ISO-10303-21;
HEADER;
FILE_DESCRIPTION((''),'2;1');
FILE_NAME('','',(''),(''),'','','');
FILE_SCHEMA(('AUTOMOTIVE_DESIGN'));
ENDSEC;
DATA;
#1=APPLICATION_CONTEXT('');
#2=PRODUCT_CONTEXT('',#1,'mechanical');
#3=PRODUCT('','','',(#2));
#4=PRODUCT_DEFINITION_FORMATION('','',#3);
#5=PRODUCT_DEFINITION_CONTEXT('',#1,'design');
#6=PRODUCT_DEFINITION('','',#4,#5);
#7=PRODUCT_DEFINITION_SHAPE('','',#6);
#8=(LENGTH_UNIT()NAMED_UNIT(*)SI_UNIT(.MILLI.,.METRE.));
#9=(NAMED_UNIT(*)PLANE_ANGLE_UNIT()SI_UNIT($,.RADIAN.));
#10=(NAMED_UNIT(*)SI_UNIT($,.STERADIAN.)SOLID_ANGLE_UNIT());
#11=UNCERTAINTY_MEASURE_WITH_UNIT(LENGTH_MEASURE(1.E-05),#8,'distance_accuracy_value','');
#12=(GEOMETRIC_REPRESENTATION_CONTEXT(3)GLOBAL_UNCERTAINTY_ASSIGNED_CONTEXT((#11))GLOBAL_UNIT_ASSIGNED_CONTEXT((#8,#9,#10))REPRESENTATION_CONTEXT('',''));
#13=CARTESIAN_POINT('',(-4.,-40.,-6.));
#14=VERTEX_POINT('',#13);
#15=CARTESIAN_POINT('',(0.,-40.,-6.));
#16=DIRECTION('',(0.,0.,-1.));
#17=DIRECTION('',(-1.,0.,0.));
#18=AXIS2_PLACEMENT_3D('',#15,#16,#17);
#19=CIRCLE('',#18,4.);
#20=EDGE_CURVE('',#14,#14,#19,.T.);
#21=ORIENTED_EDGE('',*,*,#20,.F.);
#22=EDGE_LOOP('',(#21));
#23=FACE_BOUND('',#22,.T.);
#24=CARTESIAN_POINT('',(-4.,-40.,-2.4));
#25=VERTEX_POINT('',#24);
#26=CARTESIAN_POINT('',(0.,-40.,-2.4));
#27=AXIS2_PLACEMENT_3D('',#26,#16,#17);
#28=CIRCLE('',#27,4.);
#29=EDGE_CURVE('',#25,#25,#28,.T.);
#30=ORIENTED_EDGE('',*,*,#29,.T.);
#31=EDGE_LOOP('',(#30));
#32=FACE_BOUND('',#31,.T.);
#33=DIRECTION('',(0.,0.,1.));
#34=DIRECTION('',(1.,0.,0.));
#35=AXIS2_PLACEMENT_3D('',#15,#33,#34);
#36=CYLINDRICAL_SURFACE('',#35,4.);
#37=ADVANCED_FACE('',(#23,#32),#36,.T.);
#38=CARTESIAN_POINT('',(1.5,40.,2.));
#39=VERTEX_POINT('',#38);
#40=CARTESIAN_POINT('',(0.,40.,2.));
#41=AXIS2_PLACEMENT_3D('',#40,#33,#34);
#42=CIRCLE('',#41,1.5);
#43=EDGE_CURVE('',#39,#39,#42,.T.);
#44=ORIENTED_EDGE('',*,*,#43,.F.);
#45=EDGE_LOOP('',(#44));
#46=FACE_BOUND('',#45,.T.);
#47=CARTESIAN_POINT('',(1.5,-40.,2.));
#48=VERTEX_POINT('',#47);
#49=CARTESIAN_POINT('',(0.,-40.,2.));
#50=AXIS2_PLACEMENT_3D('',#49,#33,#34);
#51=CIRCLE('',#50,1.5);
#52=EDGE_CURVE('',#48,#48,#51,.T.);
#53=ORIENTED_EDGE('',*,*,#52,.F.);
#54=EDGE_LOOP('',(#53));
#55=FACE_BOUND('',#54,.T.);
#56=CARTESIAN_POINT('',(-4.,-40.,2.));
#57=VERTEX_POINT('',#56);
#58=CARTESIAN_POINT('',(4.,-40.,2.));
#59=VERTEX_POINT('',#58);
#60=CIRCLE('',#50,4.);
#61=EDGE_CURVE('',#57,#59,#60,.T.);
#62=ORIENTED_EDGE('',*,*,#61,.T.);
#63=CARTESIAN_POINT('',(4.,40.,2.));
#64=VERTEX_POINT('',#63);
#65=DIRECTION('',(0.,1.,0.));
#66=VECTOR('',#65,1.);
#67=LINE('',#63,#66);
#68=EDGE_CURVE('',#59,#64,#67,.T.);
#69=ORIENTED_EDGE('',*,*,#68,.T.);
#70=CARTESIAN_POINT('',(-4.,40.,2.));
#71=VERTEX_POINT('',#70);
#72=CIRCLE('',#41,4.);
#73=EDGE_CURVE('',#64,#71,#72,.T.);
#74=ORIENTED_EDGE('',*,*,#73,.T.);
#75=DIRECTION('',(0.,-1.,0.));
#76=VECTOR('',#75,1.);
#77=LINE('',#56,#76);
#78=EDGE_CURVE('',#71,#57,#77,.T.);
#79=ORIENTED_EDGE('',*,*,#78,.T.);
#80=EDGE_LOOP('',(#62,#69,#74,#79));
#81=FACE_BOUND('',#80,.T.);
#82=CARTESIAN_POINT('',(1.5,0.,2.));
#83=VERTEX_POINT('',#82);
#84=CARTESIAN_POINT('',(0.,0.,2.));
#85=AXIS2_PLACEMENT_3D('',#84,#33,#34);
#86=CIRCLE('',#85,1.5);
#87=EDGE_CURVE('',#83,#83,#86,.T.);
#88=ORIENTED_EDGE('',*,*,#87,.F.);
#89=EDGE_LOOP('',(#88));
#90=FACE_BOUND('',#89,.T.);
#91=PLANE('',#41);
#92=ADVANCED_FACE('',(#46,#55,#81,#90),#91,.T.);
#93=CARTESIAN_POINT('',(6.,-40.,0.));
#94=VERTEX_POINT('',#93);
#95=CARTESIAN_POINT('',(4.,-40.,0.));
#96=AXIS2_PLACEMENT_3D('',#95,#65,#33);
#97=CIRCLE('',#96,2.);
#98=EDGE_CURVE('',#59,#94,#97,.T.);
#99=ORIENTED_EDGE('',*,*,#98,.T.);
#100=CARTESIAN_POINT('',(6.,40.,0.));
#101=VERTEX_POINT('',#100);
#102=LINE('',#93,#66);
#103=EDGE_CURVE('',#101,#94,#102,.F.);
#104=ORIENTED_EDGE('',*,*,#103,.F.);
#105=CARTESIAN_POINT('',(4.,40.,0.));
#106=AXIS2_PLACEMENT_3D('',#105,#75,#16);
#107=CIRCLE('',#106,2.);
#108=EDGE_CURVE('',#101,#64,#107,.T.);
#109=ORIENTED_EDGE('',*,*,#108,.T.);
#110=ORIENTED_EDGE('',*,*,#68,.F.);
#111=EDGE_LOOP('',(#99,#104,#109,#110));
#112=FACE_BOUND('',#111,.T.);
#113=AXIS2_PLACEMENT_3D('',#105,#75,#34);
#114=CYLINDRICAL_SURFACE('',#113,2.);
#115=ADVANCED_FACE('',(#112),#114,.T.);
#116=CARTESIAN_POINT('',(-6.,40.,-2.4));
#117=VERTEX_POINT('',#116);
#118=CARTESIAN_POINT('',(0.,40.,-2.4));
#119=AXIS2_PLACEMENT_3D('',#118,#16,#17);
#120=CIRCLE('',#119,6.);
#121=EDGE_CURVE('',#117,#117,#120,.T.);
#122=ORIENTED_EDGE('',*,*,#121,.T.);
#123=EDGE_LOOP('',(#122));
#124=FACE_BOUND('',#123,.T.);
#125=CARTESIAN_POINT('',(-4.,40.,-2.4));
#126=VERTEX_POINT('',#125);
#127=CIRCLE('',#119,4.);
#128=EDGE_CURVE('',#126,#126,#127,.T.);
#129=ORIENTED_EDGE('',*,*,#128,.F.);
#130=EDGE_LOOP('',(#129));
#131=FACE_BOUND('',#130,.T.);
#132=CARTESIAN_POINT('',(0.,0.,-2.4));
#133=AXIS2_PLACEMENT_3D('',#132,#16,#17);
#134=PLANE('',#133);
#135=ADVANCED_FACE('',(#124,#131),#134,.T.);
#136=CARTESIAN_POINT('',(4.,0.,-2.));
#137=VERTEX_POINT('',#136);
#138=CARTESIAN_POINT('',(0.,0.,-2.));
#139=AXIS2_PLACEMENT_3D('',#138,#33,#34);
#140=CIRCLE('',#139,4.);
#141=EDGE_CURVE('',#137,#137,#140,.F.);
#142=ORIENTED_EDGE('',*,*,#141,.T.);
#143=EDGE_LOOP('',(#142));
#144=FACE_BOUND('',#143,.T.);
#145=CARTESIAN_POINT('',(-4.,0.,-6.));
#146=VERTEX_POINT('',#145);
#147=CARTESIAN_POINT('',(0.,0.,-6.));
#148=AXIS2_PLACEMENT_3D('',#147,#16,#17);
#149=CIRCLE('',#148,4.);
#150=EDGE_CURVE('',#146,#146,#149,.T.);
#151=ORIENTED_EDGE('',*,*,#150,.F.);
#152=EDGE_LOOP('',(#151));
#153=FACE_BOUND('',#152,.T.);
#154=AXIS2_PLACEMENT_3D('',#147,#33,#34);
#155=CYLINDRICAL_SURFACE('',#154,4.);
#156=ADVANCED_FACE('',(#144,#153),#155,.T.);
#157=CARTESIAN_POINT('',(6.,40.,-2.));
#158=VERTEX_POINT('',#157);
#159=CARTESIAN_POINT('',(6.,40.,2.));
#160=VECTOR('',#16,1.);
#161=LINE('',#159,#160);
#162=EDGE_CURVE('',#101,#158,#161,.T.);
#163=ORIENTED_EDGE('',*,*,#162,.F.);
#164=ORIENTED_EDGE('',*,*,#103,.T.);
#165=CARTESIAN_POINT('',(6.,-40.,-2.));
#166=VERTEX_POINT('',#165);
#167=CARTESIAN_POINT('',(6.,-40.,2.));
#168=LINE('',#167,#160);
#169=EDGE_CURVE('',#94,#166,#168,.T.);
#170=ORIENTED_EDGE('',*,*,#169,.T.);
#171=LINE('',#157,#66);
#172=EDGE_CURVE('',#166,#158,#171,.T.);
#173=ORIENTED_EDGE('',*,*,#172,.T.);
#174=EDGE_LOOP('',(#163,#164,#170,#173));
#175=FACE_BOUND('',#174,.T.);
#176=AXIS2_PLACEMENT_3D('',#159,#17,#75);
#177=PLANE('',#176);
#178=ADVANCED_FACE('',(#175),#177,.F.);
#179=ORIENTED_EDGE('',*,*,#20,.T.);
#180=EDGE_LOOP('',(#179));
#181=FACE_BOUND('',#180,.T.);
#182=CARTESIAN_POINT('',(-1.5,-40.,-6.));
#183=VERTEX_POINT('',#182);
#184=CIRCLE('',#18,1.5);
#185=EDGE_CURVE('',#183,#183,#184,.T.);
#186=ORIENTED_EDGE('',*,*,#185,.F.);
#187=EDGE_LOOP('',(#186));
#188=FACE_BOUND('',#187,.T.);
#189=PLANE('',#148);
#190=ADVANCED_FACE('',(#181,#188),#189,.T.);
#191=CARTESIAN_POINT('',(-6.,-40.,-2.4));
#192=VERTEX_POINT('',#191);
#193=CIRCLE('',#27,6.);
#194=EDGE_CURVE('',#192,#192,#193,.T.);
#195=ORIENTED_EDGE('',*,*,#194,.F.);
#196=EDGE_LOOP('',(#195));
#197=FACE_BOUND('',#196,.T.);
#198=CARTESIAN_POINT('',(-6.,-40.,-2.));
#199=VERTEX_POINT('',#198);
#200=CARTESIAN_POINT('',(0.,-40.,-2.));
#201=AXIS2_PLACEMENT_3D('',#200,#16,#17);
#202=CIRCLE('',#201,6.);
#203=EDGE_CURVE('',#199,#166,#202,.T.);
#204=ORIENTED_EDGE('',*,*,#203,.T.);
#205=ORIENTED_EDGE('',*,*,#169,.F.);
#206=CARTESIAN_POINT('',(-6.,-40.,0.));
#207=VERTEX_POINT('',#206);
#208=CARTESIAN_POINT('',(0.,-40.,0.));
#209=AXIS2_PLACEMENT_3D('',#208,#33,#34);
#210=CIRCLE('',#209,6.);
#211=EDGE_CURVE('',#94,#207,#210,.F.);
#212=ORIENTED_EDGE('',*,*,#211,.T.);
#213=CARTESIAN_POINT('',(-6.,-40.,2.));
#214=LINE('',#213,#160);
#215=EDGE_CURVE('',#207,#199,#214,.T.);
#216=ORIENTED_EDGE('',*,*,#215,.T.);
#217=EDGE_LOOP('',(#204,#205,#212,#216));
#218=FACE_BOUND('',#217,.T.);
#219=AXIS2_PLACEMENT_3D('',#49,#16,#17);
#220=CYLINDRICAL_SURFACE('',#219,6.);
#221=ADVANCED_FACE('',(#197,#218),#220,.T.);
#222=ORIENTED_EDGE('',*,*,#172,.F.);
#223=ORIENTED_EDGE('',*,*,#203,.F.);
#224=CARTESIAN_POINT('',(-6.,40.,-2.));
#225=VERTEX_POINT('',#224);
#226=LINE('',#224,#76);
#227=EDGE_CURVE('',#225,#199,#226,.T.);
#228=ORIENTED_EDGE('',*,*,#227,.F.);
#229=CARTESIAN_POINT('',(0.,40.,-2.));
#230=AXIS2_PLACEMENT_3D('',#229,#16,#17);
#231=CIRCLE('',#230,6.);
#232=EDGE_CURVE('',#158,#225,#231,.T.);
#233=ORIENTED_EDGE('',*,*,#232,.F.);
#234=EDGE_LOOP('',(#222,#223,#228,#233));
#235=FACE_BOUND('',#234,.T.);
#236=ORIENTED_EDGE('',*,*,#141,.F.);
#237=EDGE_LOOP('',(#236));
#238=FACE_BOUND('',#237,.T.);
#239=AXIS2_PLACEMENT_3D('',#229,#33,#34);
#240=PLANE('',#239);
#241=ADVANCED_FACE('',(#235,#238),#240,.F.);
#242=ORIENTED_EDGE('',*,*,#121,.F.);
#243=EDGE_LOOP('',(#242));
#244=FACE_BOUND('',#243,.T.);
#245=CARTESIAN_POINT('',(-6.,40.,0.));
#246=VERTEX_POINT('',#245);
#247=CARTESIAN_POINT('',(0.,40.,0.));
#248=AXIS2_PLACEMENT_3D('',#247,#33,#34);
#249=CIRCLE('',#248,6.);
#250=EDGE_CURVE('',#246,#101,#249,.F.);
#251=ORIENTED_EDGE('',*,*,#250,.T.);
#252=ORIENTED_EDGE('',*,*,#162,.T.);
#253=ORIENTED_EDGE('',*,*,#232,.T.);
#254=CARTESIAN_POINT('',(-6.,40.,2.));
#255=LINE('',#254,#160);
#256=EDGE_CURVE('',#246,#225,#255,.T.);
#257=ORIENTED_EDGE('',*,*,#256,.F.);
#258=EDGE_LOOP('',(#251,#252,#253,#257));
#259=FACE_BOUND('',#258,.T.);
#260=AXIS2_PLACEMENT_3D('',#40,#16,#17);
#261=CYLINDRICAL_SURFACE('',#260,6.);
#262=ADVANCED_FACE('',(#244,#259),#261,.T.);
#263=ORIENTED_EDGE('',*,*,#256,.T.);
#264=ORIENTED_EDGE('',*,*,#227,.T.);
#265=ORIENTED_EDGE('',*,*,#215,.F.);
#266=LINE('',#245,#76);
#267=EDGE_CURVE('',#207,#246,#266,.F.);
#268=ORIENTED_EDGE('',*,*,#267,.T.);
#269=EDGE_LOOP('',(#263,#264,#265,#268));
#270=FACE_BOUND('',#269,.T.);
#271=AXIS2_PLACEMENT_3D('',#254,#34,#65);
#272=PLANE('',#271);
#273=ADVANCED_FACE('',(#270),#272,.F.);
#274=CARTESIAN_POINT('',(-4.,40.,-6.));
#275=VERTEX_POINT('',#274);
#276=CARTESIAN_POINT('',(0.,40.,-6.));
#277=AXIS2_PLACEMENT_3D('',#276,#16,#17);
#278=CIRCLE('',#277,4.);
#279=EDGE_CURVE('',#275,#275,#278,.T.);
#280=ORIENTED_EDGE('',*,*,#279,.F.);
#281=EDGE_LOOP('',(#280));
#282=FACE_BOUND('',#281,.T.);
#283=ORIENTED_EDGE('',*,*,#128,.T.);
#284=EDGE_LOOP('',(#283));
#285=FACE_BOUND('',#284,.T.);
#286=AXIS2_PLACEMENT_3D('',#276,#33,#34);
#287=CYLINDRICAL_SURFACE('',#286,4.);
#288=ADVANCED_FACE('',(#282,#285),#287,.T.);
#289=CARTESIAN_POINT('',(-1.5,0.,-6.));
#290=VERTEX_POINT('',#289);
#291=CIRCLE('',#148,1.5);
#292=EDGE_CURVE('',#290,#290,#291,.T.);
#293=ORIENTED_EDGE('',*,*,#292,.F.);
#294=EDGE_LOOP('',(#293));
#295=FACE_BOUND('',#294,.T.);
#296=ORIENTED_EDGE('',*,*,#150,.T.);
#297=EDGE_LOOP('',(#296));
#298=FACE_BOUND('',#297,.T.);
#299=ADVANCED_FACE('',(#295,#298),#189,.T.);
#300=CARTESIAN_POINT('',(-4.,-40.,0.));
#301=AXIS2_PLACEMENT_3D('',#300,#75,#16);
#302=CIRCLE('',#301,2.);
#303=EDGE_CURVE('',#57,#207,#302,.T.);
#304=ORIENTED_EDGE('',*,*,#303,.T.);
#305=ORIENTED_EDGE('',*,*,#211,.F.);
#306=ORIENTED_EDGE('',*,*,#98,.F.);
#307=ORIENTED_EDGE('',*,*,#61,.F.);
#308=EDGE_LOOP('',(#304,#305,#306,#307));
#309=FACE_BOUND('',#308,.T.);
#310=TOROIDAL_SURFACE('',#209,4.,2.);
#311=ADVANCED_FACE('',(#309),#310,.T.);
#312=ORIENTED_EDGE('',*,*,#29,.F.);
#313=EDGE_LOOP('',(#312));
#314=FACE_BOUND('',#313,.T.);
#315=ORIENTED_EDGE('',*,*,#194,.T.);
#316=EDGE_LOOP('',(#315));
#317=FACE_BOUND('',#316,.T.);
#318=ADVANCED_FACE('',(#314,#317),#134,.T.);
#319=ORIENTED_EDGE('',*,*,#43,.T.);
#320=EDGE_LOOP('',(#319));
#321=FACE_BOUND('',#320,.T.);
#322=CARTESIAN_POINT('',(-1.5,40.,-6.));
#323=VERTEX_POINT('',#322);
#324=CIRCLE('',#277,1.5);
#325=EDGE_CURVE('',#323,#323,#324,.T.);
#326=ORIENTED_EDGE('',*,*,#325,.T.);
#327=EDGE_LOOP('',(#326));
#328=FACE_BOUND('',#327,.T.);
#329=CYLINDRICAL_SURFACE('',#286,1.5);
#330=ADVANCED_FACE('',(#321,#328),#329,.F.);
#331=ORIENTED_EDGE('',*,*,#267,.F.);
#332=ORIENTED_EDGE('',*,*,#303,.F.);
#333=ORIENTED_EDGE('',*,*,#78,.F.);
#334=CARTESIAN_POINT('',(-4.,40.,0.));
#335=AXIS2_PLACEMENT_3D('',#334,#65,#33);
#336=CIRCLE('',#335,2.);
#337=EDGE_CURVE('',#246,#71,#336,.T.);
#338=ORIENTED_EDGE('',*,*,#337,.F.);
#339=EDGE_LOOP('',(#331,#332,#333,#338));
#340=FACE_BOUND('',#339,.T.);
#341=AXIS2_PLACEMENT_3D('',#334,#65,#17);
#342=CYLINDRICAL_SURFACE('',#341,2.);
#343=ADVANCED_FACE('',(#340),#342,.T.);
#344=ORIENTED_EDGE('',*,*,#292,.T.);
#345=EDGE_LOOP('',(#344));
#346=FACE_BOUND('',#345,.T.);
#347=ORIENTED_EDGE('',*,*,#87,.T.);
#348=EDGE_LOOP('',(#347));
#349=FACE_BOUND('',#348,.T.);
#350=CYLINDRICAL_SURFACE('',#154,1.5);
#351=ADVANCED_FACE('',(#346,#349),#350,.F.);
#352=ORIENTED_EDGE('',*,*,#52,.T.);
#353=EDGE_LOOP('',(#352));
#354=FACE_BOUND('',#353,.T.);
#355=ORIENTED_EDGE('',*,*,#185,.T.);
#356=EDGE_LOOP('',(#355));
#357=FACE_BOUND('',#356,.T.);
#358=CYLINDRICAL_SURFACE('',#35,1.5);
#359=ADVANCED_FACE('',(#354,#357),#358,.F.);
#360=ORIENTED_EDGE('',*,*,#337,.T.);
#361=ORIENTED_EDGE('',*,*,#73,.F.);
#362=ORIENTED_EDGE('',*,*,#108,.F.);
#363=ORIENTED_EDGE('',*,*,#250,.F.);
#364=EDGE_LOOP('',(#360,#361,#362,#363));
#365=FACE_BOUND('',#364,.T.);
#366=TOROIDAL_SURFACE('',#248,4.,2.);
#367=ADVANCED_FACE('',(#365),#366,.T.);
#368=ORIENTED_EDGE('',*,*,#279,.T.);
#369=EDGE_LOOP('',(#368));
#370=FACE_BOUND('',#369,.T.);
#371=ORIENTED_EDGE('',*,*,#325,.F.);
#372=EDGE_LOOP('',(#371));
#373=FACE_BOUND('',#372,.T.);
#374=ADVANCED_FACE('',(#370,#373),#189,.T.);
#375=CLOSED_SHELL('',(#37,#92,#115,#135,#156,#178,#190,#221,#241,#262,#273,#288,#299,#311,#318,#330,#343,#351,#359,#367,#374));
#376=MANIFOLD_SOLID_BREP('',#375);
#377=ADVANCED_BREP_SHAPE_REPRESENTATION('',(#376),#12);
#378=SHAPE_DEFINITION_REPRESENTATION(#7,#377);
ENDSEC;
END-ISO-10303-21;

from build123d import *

# Parameters (mm, degrees)
EXTRUDE_1_DEPTH     = 2
SKETCH_3_R          = 4
SKETCH_3_R_2        = 1.5
EXTRUDE_2_DEPTH     = 4
SKETCH_3_3_R        = 6
SKETCH_3_3_R_2      = 4
EXTRUDE_3_DEPTH     = 0.4
FILLET_1_R          = 2
SKETCH_3_4_R        = 1.5
CUT_EXTRUDE_1_DEPTH = 5


with BuildPart() as part:
    # 草图2 → 凸台-拉伸1 (new, symmetric)
    with BuildSketch(Plane.XY):
        with BuildLine():
            Line((6, 40), (6, -40))
            ThreePointArc((6, -40), (0, -46), (-6, -40))
            Line((-6, -40), (-6, 40))
            ThreePointArc((-6, 40), (0, 46), (6, 40))
        make_face()
    extrude(amount=EXTRUDE_1_DEPTH, both=True)

    # 草图3 → 凸台-拉伸2 (add)
    # profile 1 of 3: a face of its own
    with BuildSketch(Plane(origin=(0, 0, -2), x_dir=(-1, 0, 0), z_dir=(0, 0, -1))):
        with Locations((0, -40)):
            Circle(SKETCH_3_R)
        with Locations((0, -40)):
            Circle(SKETCH_3_R_2, mode=Mode.SUBTRACT)
    # profile 2 of 3: a face of its own
    with BuildSketch(Plane(origin=(0, 0, -2), x_dir=(-1, 0, 0), z_dir=(0, 0, -1))):
        with Locations((0, 40)):
            Circle(SKETCH_3_R)
        with Locations((0, 40)):
            Circle(SKETCH_3_R_2, mode=Mode.SUBTRACT)
    # profile 3 of 3: a face of its own
    with BuildSketch(Plane(origin=(0, 0, -2), x_dir=(-1, 0, 0), z_dir=(0, 0, -1))):
        Circle(SKETCH_3_R)
        Circle(SKETCH_3_R_2, mode=Mode.SUBTRACT)
    extrude(amount=EXTRUDE_2_DEPTH)

    # 草图3<3> → 凸台-拉伸3 (add)
    # profile 1 of 2: a face of its own
    with BuildSketch(Plane(origin=(0, 0, -2), x_dir=(-1, 0, 0), z_dir=(0, 0, -1))):
        with Locations((0, 40)):
            Circle(SKETCH_3_3_R)
        with Locations((0, 40)):
            Circle(SKETCH_3_3_R_2, mode=Mode.SUBTRACT)
    # profile 2 of 2: a face of its own
    with BuildSketch(Plane(origin=(0, 0, -2), x_dir=(-1, 0, 0), z_dir=(0, 0, -1))):
        with Locations((0, -40)):
            Circle(SKETCH_3_3_R)
        with Locations((0, -40)):
            Circle(SKETCH_3_3_R_2, mode=Mode.SUBTRACT)
    extrude(amount=EXTRUDE_3_DEPTH)

    # 圆角1
    fillet_1_edges = [part.edges().sort_by_distance(p)[0] for p in [
        (6, 0, 2),
        (0, -46, 2),
        (-6, 0, 2),
        (0, 46, 2),
    ]]
    fillet(fillet_1_edges, radius=FILLET_1_R)

    # 草图3<4> → 切除-拉伸1 (cut, symmetric)
    with BuildSketch(Plane(origin=(0, 0, -2), x_dir=(-1, 0, 0), z_dir=(0, 0, -1))):
        with Locations((0, -40)):
            Circle(SKETCH_3_4_R)
        with Locations((0, 40)):
            Circle(SKETCH_3_4_R)
        Circle(SKETCH_3_4_R)
    extrude(amount=CUT_EXTRUDE_1_DEPTH, both=True, mode=Mode.SUBTRACT)


solid = part.part
